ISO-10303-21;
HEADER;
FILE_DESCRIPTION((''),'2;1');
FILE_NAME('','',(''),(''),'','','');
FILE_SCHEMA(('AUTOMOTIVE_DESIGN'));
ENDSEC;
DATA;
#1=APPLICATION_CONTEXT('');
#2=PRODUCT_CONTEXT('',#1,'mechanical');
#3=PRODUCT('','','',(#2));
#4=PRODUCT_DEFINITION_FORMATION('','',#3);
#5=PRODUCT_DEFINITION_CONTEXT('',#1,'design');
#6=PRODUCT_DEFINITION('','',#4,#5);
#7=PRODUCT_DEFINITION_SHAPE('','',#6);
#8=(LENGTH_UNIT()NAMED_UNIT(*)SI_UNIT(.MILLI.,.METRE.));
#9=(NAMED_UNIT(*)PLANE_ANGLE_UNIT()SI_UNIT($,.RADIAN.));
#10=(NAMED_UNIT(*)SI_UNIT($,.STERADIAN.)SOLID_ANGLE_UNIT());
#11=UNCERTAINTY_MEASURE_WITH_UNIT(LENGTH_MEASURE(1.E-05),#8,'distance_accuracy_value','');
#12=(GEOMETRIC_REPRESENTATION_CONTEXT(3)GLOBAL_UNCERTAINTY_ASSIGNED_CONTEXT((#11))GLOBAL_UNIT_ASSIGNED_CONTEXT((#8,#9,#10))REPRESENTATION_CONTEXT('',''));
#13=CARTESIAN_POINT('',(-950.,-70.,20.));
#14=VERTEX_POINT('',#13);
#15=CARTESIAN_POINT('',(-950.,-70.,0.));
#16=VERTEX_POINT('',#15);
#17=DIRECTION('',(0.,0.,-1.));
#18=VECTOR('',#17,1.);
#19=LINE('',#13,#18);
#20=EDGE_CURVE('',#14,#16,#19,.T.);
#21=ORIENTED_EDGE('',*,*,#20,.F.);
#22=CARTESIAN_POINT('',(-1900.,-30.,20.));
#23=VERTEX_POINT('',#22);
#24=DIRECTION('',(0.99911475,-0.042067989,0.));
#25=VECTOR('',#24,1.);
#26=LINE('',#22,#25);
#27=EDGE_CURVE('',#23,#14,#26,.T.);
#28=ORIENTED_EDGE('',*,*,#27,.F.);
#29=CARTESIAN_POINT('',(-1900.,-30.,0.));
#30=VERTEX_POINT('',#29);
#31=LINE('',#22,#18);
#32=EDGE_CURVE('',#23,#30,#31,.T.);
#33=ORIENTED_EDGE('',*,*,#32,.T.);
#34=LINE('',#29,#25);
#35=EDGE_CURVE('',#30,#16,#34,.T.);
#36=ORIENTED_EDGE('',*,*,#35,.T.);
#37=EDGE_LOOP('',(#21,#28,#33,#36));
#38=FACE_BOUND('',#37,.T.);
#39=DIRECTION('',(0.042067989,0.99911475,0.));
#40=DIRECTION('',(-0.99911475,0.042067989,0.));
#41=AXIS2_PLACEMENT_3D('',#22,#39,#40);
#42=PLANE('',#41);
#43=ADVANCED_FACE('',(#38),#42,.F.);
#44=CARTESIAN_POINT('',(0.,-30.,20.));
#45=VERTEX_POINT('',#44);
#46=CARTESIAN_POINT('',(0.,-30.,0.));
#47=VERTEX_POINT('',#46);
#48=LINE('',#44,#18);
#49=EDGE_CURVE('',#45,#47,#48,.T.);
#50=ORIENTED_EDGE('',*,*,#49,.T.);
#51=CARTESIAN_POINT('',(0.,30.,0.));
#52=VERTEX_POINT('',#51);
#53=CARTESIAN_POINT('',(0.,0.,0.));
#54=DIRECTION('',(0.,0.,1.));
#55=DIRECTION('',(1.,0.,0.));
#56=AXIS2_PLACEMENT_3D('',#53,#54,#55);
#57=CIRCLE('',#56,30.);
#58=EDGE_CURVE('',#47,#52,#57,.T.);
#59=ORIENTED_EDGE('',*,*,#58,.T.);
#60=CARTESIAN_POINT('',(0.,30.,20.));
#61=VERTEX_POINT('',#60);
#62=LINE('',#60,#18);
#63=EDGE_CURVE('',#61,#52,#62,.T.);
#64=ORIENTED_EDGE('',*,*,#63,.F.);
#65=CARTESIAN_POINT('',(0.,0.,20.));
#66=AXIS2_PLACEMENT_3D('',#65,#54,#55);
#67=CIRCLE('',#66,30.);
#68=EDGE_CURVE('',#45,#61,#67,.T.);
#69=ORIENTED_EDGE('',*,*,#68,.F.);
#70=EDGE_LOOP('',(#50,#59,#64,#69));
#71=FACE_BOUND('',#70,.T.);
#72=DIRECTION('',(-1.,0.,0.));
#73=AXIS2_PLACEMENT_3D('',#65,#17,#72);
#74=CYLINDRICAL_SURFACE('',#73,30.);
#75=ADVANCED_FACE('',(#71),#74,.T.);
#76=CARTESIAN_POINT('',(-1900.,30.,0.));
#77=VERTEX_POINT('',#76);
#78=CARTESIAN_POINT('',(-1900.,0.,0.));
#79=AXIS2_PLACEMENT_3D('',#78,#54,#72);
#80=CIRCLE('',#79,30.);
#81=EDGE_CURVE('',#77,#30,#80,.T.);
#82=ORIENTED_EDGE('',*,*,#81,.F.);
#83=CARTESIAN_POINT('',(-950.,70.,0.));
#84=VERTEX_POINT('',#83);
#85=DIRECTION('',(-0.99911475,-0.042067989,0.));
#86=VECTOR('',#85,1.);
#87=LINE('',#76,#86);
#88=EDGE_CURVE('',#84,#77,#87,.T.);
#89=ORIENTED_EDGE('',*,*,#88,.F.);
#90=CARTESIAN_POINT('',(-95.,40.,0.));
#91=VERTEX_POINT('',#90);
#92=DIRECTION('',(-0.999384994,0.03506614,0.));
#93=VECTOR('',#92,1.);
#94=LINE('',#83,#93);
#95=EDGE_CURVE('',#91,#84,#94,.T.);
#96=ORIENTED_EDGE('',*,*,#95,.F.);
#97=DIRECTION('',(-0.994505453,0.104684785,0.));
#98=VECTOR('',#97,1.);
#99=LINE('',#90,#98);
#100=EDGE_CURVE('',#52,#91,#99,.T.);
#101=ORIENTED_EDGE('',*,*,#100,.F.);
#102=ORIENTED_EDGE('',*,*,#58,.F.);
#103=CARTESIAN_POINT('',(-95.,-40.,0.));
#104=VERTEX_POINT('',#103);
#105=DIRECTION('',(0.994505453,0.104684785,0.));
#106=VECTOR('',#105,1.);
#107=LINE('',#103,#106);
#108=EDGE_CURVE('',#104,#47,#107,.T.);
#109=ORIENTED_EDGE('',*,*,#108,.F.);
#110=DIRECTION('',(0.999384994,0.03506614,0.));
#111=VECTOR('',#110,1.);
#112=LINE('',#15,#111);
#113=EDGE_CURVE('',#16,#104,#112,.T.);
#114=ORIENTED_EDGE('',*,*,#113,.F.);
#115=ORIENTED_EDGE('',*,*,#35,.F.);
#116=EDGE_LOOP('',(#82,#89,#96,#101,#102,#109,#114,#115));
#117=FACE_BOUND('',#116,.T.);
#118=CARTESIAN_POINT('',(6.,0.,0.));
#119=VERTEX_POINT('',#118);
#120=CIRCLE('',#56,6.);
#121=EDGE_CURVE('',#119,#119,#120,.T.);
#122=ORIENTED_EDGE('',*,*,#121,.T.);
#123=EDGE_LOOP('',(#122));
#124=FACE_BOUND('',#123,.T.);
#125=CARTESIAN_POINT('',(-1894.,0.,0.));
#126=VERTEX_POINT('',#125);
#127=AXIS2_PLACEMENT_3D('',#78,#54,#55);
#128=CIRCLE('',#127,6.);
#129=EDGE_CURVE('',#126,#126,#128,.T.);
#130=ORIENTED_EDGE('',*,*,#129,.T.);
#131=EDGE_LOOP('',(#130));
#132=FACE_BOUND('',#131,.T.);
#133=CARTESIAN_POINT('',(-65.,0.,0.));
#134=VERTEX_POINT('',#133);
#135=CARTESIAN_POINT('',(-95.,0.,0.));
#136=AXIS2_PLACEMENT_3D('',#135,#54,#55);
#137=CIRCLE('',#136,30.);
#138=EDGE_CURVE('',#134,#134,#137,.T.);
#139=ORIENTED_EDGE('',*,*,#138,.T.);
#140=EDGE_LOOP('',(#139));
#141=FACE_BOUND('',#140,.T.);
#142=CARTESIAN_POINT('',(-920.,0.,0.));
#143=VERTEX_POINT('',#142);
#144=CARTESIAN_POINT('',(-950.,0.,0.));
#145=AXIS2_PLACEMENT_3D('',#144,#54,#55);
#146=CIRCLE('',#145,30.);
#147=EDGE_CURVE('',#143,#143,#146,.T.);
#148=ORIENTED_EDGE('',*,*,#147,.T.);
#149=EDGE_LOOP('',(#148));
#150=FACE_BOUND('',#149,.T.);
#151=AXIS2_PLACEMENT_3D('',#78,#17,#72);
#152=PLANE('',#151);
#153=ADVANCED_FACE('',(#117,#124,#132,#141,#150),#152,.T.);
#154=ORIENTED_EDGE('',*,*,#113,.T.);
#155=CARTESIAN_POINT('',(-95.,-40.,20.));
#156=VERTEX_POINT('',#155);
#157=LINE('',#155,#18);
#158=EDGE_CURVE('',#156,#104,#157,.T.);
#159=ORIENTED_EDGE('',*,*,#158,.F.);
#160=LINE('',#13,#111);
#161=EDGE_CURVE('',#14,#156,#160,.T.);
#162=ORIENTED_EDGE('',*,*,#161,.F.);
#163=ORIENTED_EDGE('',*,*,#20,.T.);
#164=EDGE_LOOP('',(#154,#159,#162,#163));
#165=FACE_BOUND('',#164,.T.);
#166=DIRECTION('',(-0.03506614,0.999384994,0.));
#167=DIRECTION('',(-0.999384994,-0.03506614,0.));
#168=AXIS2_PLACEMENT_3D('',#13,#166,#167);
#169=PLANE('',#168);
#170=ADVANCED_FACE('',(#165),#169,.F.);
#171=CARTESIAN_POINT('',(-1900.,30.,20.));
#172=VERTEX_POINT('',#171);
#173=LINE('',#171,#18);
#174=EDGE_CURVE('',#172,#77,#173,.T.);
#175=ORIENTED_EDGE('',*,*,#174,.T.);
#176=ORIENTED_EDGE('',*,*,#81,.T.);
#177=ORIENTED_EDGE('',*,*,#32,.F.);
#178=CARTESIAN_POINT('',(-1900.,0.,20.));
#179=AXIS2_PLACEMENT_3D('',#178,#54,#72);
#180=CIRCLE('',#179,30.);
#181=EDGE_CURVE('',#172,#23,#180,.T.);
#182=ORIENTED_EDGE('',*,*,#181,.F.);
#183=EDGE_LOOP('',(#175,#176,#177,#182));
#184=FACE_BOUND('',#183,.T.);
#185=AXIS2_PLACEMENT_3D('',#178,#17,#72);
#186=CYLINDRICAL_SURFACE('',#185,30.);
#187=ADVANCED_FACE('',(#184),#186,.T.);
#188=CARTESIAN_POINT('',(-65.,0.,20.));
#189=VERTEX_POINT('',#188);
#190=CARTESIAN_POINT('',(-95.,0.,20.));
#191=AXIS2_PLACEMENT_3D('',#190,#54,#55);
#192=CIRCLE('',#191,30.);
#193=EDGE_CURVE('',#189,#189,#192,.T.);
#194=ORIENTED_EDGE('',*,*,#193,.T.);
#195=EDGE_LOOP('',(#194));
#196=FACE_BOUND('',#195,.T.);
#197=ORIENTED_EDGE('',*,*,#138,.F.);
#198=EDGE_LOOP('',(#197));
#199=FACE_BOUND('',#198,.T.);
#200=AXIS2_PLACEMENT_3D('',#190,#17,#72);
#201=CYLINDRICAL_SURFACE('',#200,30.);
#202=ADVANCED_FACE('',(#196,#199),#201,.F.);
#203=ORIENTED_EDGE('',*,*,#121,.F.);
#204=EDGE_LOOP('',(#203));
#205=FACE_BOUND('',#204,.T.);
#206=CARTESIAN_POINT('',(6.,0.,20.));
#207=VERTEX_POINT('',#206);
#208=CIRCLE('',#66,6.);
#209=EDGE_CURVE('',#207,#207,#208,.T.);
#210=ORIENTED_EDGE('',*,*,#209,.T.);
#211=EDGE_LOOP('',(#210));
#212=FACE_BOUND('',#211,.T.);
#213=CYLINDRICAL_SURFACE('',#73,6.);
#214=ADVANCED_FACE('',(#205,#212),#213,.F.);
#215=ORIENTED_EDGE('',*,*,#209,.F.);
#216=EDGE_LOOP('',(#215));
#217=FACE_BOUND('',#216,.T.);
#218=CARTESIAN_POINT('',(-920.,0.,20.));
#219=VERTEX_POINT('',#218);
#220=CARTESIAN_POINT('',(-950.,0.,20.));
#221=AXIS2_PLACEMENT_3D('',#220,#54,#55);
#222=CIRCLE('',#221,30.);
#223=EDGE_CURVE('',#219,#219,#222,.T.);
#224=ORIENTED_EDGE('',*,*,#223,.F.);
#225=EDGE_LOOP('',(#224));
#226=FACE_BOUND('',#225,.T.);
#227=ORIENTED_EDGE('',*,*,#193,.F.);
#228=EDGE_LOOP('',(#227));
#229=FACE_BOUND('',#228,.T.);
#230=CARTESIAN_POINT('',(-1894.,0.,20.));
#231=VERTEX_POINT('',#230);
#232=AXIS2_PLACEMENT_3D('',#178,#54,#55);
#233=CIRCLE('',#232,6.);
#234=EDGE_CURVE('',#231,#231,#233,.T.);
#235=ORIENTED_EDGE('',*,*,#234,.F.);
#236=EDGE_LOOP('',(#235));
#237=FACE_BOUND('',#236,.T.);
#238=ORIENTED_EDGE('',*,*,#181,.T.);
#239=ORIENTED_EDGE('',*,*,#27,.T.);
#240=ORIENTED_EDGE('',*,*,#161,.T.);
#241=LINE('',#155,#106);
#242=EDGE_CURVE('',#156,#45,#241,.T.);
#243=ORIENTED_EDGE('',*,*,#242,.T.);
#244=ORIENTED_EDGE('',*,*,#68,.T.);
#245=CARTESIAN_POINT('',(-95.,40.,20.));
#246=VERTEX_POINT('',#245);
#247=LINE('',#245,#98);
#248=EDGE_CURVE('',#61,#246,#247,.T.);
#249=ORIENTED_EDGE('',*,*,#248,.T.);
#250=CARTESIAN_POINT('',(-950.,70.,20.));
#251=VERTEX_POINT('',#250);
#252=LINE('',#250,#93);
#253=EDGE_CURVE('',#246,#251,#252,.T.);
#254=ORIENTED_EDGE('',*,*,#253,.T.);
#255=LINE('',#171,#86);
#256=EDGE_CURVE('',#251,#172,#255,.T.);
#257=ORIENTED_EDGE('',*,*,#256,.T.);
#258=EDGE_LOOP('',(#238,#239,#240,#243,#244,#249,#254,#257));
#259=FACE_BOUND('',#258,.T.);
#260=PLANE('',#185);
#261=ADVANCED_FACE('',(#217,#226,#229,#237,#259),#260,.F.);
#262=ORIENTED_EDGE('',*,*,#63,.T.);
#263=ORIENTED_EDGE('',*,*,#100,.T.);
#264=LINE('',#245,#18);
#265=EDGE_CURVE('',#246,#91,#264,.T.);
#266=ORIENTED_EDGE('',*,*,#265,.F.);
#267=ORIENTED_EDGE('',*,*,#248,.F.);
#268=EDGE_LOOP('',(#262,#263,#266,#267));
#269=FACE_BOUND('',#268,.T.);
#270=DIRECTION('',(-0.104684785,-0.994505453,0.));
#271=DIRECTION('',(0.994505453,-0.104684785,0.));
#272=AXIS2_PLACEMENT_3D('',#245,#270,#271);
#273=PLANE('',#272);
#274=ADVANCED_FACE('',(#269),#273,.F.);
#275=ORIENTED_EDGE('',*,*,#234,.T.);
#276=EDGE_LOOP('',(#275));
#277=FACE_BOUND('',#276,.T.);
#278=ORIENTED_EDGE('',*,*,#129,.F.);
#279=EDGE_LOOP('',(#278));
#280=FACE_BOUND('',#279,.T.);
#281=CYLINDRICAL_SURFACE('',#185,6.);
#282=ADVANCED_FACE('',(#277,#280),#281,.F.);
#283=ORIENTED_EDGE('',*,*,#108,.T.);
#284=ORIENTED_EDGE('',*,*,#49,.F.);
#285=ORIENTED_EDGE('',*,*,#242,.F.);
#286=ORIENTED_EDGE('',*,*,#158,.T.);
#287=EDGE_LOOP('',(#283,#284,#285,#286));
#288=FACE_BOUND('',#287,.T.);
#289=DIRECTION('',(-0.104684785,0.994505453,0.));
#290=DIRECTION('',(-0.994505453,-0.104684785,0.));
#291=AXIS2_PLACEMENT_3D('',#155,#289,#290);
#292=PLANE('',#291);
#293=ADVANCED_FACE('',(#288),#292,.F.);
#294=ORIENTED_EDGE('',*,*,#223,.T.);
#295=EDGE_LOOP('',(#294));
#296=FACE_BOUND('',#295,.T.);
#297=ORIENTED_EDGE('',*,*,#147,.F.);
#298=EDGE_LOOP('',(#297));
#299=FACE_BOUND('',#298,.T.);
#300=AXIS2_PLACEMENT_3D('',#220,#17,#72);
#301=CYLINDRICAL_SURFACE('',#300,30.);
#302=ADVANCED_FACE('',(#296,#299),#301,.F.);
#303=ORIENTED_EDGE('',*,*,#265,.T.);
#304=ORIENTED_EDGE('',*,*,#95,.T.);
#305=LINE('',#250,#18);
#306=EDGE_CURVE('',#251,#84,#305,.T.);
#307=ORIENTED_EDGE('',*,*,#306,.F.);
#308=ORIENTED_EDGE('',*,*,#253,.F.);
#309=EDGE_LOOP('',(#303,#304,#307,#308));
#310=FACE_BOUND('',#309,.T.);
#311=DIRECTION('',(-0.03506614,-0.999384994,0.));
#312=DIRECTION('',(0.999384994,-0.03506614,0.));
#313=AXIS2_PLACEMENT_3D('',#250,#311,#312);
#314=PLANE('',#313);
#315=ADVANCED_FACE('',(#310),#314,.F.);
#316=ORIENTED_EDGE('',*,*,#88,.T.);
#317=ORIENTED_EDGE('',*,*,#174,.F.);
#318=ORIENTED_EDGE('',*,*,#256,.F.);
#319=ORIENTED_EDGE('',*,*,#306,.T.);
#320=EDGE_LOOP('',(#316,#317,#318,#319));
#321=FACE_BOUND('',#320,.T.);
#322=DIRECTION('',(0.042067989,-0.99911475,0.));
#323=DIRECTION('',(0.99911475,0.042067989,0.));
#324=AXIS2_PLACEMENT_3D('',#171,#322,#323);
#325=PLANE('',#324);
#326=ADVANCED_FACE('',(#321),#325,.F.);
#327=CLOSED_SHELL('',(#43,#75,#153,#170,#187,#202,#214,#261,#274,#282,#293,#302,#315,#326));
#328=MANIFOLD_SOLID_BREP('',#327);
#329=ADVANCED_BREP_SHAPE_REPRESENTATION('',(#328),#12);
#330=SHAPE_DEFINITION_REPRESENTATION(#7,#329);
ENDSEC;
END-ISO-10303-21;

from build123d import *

# Parameters (mm, degrees)
SKIZZE1_R                       = 30
SKIZZE1_R_2                     = 6
AUFSATZ_LINEAR_AUSTRAGEN1_DEPTH = 20


with BuildPart() as part:
    # Skizze1 → Aufsatz-Linear austragen1 (new body)
    with BuildSketch(Plane.XY):
        with BuildLine():
            Line((-950, 70), (-95, 40))
            Line((-95, 40), (0, 30))
            ThreePointArc((0, 30), (30, 0), (0, -30))
            Line((0, -30), (-95, -40))
            Line((-95, -40), (-950, -70))
            Line((-950, -70), (-1900, -30))
            ThreePointArc((-1900, -30), (-1930, 0), (-1900, 30))
            Line((-1900, 30), (-950, 70))
        make_face()
        with Locations((-950, 0)):
            Circle(SKIZZE1_R, mode=Mode.SUBTRACT)
        with Locations((-95, 0)):
            Circle(SKIZZE1_R, mode=Mode.SUBTRACT)
        with Locations((-1900, 0)):
            Circle(SKIZZE1_R_2, mode=Mode.SUBTRACT)
        Circle(SKIZZE1_R_2, mode=Mode.SUBTRACT)
    extrude(amount=AUFSATZ_LINEAR_AUSTRAGEN1_DEPTH)


solid = part.part
